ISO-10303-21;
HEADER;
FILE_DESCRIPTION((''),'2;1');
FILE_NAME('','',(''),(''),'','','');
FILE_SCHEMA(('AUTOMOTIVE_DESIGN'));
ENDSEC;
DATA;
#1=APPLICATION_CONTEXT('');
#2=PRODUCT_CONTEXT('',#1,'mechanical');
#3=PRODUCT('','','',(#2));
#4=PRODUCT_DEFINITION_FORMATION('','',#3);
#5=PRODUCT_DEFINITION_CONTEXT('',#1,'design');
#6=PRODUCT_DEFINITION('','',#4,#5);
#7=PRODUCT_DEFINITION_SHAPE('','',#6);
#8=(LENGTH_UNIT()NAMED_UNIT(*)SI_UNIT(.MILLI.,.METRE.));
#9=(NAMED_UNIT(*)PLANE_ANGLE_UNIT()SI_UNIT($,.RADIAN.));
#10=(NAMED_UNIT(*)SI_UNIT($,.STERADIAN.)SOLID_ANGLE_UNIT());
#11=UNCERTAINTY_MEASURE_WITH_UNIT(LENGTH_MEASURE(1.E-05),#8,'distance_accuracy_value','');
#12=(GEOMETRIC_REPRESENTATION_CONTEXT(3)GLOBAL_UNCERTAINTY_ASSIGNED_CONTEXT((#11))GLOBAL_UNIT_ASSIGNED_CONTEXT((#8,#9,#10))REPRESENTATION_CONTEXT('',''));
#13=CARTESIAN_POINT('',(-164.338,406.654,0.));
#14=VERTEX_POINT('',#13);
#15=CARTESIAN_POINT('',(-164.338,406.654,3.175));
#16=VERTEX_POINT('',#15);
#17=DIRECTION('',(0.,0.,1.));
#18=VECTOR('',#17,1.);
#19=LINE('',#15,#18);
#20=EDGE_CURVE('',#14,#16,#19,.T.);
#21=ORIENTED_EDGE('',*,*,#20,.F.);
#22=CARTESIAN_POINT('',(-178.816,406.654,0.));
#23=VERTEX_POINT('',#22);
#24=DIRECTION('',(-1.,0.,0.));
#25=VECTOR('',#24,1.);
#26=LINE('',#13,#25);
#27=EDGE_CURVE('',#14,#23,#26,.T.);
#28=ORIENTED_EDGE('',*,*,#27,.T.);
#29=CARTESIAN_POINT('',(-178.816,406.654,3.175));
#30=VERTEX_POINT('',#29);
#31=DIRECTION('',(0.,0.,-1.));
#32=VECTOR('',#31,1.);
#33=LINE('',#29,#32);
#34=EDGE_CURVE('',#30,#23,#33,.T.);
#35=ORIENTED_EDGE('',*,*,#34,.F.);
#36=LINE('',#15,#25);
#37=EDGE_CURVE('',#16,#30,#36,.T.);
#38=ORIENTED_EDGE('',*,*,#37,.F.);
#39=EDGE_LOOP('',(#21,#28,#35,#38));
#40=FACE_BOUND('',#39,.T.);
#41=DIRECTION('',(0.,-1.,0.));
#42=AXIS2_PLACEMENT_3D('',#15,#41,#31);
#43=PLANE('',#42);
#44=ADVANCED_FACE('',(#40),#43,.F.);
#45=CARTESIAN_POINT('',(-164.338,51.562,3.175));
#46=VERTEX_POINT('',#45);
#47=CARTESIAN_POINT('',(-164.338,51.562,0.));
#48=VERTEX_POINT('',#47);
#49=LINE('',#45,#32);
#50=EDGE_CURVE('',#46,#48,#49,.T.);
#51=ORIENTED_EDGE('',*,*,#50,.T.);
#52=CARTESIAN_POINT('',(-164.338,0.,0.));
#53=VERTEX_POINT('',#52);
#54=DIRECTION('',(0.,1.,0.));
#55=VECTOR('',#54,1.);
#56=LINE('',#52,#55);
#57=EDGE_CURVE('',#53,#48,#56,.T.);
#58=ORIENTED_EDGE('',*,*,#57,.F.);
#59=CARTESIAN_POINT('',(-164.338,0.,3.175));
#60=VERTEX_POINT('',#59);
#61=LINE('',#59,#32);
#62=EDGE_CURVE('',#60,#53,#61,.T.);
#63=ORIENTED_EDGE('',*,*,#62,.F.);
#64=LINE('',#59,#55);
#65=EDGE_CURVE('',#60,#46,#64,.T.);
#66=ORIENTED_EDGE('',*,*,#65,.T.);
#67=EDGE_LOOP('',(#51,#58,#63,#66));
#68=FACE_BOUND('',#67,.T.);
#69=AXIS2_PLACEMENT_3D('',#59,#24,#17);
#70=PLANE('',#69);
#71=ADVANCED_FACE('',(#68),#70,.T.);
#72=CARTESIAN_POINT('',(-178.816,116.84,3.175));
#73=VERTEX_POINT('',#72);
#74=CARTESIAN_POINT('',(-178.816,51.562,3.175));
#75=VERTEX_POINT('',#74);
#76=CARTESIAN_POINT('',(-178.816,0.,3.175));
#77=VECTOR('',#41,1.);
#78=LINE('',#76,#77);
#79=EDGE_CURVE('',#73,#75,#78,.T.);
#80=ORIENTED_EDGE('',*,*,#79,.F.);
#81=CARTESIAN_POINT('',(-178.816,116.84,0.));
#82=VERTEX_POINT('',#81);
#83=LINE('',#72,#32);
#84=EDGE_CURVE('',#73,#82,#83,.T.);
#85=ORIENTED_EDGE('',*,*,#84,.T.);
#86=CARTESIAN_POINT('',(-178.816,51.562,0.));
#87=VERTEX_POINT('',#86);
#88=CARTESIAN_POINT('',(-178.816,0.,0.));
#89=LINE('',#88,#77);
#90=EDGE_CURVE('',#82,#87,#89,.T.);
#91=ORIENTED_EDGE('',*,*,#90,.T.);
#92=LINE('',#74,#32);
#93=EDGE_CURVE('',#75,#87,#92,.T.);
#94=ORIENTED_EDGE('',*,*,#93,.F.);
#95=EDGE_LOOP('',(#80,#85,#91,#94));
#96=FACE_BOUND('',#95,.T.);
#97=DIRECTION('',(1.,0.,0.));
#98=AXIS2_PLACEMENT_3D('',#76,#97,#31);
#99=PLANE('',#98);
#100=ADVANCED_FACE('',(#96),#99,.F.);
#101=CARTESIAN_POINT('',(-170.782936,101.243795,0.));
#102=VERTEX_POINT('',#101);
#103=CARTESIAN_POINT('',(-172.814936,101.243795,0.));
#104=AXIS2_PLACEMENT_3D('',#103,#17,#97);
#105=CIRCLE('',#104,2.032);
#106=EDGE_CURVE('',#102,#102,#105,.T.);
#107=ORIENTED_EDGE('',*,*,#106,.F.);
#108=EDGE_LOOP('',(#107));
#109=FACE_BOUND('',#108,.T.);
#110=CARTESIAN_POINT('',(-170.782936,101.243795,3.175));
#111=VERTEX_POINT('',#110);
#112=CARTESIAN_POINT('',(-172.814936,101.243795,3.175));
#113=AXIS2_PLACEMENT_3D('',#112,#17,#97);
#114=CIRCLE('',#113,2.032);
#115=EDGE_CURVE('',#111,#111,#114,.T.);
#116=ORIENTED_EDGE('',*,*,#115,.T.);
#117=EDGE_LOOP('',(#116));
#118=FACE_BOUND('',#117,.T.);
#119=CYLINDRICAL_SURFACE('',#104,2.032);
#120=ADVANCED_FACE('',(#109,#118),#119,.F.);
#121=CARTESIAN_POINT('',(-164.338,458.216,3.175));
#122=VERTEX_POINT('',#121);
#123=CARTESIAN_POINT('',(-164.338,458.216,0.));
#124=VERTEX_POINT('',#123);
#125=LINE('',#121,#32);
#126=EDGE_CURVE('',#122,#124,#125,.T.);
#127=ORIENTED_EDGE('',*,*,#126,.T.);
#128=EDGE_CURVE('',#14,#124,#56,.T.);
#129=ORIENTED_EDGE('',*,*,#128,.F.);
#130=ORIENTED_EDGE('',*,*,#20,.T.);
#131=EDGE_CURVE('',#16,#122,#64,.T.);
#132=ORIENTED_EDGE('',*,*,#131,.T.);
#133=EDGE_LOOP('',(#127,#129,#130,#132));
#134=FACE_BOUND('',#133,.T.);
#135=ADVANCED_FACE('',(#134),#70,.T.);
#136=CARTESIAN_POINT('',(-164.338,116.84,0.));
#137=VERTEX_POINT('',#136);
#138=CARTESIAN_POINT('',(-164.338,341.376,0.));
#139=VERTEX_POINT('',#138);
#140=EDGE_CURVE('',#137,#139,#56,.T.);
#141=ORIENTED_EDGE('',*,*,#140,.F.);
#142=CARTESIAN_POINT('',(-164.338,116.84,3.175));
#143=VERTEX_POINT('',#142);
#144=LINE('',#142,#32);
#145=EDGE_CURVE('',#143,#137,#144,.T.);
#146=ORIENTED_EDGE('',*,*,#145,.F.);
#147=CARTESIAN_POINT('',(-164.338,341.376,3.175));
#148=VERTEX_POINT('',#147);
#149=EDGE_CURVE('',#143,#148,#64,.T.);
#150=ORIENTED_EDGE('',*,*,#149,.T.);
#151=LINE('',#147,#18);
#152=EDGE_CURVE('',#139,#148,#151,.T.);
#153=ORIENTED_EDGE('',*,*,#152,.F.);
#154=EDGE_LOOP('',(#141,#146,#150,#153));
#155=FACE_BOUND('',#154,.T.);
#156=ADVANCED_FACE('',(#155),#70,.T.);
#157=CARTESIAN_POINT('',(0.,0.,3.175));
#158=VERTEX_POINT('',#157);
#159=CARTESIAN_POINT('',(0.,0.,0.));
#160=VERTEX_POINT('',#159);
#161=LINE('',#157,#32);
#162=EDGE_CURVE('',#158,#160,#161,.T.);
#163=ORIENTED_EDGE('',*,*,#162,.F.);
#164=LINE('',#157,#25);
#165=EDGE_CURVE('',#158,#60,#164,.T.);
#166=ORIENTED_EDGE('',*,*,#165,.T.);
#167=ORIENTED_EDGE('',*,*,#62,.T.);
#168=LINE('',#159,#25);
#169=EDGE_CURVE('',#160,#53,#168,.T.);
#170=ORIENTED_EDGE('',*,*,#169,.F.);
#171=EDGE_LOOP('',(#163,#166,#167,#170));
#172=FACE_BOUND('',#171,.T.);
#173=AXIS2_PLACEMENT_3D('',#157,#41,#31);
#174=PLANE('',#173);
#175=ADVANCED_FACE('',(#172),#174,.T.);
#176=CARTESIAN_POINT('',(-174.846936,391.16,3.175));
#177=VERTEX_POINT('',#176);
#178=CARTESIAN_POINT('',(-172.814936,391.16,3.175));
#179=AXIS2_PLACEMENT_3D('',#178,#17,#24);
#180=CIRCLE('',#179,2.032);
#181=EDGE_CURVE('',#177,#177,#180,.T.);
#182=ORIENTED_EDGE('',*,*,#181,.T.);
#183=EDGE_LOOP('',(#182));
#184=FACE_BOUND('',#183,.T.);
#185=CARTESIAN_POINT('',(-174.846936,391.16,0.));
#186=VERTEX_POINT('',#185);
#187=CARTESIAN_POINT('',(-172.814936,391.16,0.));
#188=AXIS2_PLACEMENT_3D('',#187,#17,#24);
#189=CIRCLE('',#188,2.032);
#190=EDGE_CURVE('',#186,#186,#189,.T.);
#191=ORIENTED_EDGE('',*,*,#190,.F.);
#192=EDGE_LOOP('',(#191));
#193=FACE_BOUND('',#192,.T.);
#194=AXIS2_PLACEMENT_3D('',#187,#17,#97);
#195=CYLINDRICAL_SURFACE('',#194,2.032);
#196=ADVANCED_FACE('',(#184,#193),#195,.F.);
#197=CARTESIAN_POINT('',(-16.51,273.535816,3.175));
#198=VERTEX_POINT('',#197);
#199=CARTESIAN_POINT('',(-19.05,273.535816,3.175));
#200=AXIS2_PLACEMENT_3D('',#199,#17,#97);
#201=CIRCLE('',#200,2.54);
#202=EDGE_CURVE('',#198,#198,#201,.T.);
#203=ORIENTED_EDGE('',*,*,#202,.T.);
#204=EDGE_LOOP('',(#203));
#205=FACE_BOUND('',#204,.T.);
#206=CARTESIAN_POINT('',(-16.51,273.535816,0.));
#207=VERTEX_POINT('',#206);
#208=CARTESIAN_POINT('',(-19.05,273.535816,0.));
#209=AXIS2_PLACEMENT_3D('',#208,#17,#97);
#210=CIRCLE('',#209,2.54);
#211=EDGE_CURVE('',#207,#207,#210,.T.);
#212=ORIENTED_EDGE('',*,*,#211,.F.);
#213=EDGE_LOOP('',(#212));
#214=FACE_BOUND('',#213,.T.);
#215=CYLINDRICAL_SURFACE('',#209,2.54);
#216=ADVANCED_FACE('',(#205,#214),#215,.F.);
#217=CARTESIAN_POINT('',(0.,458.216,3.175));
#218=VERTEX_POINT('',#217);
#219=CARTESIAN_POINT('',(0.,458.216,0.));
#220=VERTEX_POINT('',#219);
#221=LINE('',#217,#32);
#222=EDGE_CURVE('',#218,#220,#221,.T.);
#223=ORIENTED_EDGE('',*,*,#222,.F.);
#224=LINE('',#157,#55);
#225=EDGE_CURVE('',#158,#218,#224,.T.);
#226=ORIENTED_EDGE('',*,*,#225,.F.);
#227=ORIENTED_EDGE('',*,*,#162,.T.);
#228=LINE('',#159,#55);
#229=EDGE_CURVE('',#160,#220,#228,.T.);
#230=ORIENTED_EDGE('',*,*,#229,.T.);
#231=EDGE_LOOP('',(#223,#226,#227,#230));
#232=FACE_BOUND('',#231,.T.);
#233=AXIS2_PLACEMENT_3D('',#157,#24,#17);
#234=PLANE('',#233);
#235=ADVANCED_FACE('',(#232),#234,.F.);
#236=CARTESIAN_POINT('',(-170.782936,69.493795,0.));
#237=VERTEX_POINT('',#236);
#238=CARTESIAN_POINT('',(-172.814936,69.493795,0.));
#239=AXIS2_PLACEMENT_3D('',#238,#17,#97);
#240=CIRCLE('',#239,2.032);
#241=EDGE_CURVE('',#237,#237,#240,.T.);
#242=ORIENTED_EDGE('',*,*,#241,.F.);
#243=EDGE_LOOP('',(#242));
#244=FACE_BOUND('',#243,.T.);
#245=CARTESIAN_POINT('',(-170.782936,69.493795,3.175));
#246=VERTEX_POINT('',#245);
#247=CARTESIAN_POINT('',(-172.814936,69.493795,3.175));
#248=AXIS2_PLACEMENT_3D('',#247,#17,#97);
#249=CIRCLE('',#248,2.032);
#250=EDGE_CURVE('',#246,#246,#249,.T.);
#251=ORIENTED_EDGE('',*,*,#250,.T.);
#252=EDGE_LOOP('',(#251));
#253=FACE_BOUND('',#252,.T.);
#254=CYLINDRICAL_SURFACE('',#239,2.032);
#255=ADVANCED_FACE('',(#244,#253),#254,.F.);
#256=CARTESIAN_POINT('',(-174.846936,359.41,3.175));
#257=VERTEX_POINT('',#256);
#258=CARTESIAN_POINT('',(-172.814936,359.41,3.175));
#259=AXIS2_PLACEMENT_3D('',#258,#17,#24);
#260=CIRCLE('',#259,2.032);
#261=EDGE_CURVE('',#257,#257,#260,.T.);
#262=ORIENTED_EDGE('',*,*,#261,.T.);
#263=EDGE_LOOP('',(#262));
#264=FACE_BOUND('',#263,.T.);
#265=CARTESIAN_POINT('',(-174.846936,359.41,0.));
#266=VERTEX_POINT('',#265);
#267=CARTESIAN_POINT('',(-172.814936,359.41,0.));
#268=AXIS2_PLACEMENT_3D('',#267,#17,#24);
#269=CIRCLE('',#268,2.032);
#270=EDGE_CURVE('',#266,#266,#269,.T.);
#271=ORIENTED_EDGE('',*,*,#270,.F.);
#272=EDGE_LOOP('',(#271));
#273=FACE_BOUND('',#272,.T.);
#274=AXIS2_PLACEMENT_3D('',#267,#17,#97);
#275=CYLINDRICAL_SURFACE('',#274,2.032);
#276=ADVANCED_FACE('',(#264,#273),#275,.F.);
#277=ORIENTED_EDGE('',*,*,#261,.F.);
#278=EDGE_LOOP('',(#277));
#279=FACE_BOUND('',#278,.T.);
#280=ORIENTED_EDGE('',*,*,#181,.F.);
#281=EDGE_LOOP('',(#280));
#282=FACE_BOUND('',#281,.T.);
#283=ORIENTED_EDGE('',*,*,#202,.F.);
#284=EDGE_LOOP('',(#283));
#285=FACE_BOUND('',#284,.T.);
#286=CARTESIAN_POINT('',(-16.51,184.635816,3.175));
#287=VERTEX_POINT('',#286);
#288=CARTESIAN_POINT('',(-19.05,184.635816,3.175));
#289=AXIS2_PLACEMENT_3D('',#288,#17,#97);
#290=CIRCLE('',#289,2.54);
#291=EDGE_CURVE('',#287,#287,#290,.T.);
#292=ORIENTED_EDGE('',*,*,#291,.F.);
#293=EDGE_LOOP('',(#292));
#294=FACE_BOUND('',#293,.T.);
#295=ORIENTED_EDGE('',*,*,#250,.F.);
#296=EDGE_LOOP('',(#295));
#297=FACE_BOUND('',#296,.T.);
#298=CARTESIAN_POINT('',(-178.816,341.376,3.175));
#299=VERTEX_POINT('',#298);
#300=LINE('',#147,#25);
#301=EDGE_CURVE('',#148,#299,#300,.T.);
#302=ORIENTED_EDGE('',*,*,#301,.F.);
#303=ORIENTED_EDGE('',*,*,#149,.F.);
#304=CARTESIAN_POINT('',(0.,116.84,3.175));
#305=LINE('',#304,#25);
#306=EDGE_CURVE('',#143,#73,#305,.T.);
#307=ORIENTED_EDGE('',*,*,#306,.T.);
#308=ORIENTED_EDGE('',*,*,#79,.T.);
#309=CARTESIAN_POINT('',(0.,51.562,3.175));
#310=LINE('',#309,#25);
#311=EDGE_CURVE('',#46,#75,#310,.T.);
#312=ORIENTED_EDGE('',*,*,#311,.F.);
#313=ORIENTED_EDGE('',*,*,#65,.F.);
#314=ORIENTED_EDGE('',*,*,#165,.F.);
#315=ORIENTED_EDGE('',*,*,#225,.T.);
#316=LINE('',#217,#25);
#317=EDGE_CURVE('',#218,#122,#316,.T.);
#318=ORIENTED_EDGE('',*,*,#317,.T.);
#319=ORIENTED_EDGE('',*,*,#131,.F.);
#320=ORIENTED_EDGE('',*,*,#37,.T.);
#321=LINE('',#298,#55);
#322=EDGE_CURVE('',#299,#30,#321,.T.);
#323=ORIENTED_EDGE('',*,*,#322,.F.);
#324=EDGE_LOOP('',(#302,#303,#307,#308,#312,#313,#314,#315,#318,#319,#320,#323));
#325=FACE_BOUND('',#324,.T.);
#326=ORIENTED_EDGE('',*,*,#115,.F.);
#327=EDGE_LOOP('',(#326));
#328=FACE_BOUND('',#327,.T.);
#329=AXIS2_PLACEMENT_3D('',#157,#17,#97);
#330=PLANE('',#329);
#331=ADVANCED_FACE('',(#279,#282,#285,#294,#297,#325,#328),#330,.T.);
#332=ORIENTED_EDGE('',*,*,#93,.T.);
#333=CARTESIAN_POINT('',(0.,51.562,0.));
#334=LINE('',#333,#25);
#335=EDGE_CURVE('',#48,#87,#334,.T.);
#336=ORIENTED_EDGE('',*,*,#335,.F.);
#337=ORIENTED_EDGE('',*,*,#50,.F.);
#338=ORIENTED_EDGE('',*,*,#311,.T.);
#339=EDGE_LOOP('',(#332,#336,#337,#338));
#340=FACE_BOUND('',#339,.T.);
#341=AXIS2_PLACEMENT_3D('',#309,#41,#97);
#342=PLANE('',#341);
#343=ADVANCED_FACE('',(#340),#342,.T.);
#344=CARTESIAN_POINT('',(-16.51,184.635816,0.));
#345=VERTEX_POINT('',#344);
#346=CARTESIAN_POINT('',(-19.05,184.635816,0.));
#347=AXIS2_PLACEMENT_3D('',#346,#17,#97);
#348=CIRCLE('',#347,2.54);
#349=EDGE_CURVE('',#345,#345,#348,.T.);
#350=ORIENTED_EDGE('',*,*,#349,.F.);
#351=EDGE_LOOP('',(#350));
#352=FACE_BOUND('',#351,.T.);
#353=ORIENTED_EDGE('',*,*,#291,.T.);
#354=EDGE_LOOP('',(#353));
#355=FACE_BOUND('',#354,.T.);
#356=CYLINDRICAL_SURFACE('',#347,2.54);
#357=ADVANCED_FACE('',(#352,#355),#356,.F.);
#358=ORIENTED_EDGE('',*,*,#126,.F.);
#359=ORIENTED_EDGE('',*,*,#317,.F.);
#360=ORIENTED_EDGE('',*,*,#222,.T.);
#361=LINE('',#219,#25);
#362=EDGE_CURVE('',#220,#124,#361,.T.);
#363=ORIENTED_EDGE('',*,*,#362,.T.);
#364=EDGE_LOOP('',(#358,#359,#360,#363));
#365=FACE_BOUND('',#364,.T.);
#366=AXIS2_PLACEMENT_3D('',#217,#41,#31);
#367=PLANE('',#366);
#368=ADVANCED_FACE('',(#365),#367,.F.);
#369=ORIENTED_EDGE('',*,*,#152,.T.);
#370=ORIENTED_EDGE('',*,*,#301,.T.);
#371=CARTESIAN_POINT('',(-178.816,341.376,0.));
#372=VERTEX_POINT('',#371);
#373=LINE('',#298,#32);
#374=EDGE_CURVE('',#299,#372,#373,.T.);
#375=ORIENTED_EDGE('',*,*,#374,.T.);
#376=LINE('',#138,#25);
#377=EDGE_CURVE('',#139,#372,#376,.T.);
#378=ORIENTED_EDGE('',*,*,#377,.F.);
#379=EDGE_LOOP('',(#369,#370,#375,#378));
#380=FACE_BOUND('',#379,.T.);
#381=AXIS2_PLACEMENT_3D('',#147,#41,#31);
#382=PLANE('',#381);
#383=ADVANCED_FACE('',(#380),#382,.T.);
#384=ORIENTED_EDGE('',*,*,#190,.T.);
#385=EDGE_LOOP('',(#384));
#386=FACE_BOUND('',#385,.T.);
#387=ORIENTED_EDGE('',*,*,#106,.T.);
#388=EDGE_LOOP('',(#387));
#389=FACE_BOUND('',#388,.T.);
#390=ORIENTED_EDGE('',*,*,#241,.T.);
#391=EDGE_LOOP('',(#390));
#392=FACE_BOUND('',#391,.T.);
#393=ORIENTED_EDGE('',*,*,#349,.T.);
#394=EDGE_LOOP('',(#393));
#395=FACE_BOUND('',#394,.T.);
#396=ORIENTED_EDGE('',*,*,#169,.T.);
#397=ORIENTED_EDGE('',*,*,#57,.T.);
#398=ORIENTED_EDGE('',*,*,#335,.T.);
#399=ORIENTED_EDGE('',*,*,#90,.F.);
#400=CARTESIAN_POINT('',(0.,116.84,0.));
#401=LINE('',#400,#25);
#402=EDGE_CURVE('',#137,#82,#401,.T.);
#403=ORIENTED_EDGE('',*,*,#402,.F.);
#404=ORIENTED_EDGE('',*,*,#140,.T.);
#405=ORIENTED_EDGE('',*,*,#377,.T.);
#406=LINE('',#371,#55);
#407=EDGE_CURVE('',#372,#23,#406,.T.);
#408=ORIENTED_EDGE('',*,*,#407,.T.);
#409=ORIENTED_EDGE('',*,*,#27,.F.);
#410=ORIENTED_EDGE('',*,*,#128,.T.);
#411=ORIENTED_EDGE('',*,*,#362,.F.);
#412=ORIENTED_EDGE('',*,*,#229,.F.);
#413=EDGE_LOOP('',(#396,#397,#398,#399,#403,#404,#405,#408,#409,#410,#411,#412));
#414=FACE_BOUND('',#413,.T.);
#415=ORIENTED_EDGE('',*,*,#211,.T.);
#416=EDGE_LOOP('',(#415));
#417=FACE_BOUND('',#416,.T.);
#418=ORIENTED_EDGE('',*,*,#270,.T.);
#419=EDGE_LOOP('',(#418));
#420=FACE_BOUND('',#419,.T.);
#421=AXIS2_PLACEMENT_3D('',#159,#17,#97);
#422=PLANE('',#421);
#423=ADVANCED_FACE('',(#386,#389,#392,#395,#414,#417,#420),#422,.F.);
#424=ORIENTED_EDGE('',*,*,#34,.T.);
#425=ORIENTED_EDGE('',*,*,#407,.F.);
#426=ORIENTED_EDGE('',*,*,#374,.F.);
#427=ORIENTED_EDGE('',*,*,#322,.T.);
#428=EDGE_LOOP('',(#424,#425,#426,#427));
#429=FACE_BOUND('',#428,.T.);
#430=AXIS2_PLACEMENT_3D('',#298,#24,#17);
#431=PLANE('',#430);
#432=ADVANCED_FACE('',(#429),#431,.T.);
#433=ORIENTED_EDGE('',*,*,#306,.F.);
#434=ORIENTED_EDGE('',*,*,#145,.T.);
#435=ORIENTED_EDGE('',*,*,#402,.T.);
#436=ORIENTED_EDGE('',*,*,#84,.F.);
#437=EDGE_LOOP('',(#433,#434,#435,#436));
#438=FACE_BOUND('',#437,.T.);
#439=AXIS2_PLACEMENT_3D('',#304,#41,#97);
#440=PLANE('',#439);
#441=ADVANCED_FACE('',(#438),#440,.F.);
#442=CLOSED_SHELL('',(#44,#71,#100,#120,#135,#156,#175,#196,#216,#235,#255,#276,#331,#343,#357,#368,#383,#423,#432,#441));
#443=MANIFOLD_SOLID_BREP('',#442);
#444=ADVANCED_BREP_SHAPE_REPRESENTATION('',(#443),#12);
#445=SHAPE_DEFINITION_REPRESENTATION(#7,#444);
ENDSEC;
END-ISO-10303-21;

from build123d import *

# Parameters (mm, degrees)
SKETCH1_W           = 164.338
SKETCH1_H           = 458.216
SKETCH1_W_2         = 14.478
SKETCH1_H_2         = 65.278
BOSS_EXTRUDE3_DEPTH = 3.175
SKETCH2_R           = 2.032
CUT_EXTRUDE1_DEPTH  = 4.175
SKETCH4_R           = 2.54
CUT_EXTRUDE3_DEPTH  = 4.175


with BuildPart() as part:
    # Sketch1 → Boss-Extrude3 (new body)
    with BuildSketch(Plane.XY):
        with Locations((-82.169, 229.108)):
            Rectangle(SKETCH1_W, SKETCH1_H)
        with Locations((-171.577, 84.201)):
            Rectangle(SKETCH1_W_2, SKETCH1_H_2)
        with Locations((-171.577, 374.015)):
            Rectangle(SKETCH1_W_2, SKETCH1_H_2)
    extrude(amount=BOSS_EXTRUDE3_DEPTH)

    # Sketch2 → Cut-Extrude1 (cut, through all)
    with BuildSketch(Plane.XY.offset(3.175)):
        with Locations((-172.814936246, 69.493794716)):
            Circle(SKETCH2_R)
        with Locations((-172.814936246, 101.243794716)):
            Circle(SKETCH2_R)
        with Locations((-172.814936246, 391.16)):
            Circle(SKETCH2_R)
        with Locations((-172.814936246, 359.41)):
            Circle(SKETCH2_R)
    extrude(amount=-CUT_EXTRUDE1_DEPTH, mode=Mode.SUBTRACT)

    # Sketch4 → Cut-Extrude3 (cut, through all)
    with BuildSketch(Plane.XY.offset(3.175)):
        with Locations((-19.05, 184.635815808)):
            Circle(SKETCH4_R)
        with Locations((-19.05, 273.535815808)):
            Circle(SKETCH4_R)
    extrude(amount=-CUT_EXTRUDE3_DEPTH, mode=Mode.SUBTRACT)


solid = part.part
